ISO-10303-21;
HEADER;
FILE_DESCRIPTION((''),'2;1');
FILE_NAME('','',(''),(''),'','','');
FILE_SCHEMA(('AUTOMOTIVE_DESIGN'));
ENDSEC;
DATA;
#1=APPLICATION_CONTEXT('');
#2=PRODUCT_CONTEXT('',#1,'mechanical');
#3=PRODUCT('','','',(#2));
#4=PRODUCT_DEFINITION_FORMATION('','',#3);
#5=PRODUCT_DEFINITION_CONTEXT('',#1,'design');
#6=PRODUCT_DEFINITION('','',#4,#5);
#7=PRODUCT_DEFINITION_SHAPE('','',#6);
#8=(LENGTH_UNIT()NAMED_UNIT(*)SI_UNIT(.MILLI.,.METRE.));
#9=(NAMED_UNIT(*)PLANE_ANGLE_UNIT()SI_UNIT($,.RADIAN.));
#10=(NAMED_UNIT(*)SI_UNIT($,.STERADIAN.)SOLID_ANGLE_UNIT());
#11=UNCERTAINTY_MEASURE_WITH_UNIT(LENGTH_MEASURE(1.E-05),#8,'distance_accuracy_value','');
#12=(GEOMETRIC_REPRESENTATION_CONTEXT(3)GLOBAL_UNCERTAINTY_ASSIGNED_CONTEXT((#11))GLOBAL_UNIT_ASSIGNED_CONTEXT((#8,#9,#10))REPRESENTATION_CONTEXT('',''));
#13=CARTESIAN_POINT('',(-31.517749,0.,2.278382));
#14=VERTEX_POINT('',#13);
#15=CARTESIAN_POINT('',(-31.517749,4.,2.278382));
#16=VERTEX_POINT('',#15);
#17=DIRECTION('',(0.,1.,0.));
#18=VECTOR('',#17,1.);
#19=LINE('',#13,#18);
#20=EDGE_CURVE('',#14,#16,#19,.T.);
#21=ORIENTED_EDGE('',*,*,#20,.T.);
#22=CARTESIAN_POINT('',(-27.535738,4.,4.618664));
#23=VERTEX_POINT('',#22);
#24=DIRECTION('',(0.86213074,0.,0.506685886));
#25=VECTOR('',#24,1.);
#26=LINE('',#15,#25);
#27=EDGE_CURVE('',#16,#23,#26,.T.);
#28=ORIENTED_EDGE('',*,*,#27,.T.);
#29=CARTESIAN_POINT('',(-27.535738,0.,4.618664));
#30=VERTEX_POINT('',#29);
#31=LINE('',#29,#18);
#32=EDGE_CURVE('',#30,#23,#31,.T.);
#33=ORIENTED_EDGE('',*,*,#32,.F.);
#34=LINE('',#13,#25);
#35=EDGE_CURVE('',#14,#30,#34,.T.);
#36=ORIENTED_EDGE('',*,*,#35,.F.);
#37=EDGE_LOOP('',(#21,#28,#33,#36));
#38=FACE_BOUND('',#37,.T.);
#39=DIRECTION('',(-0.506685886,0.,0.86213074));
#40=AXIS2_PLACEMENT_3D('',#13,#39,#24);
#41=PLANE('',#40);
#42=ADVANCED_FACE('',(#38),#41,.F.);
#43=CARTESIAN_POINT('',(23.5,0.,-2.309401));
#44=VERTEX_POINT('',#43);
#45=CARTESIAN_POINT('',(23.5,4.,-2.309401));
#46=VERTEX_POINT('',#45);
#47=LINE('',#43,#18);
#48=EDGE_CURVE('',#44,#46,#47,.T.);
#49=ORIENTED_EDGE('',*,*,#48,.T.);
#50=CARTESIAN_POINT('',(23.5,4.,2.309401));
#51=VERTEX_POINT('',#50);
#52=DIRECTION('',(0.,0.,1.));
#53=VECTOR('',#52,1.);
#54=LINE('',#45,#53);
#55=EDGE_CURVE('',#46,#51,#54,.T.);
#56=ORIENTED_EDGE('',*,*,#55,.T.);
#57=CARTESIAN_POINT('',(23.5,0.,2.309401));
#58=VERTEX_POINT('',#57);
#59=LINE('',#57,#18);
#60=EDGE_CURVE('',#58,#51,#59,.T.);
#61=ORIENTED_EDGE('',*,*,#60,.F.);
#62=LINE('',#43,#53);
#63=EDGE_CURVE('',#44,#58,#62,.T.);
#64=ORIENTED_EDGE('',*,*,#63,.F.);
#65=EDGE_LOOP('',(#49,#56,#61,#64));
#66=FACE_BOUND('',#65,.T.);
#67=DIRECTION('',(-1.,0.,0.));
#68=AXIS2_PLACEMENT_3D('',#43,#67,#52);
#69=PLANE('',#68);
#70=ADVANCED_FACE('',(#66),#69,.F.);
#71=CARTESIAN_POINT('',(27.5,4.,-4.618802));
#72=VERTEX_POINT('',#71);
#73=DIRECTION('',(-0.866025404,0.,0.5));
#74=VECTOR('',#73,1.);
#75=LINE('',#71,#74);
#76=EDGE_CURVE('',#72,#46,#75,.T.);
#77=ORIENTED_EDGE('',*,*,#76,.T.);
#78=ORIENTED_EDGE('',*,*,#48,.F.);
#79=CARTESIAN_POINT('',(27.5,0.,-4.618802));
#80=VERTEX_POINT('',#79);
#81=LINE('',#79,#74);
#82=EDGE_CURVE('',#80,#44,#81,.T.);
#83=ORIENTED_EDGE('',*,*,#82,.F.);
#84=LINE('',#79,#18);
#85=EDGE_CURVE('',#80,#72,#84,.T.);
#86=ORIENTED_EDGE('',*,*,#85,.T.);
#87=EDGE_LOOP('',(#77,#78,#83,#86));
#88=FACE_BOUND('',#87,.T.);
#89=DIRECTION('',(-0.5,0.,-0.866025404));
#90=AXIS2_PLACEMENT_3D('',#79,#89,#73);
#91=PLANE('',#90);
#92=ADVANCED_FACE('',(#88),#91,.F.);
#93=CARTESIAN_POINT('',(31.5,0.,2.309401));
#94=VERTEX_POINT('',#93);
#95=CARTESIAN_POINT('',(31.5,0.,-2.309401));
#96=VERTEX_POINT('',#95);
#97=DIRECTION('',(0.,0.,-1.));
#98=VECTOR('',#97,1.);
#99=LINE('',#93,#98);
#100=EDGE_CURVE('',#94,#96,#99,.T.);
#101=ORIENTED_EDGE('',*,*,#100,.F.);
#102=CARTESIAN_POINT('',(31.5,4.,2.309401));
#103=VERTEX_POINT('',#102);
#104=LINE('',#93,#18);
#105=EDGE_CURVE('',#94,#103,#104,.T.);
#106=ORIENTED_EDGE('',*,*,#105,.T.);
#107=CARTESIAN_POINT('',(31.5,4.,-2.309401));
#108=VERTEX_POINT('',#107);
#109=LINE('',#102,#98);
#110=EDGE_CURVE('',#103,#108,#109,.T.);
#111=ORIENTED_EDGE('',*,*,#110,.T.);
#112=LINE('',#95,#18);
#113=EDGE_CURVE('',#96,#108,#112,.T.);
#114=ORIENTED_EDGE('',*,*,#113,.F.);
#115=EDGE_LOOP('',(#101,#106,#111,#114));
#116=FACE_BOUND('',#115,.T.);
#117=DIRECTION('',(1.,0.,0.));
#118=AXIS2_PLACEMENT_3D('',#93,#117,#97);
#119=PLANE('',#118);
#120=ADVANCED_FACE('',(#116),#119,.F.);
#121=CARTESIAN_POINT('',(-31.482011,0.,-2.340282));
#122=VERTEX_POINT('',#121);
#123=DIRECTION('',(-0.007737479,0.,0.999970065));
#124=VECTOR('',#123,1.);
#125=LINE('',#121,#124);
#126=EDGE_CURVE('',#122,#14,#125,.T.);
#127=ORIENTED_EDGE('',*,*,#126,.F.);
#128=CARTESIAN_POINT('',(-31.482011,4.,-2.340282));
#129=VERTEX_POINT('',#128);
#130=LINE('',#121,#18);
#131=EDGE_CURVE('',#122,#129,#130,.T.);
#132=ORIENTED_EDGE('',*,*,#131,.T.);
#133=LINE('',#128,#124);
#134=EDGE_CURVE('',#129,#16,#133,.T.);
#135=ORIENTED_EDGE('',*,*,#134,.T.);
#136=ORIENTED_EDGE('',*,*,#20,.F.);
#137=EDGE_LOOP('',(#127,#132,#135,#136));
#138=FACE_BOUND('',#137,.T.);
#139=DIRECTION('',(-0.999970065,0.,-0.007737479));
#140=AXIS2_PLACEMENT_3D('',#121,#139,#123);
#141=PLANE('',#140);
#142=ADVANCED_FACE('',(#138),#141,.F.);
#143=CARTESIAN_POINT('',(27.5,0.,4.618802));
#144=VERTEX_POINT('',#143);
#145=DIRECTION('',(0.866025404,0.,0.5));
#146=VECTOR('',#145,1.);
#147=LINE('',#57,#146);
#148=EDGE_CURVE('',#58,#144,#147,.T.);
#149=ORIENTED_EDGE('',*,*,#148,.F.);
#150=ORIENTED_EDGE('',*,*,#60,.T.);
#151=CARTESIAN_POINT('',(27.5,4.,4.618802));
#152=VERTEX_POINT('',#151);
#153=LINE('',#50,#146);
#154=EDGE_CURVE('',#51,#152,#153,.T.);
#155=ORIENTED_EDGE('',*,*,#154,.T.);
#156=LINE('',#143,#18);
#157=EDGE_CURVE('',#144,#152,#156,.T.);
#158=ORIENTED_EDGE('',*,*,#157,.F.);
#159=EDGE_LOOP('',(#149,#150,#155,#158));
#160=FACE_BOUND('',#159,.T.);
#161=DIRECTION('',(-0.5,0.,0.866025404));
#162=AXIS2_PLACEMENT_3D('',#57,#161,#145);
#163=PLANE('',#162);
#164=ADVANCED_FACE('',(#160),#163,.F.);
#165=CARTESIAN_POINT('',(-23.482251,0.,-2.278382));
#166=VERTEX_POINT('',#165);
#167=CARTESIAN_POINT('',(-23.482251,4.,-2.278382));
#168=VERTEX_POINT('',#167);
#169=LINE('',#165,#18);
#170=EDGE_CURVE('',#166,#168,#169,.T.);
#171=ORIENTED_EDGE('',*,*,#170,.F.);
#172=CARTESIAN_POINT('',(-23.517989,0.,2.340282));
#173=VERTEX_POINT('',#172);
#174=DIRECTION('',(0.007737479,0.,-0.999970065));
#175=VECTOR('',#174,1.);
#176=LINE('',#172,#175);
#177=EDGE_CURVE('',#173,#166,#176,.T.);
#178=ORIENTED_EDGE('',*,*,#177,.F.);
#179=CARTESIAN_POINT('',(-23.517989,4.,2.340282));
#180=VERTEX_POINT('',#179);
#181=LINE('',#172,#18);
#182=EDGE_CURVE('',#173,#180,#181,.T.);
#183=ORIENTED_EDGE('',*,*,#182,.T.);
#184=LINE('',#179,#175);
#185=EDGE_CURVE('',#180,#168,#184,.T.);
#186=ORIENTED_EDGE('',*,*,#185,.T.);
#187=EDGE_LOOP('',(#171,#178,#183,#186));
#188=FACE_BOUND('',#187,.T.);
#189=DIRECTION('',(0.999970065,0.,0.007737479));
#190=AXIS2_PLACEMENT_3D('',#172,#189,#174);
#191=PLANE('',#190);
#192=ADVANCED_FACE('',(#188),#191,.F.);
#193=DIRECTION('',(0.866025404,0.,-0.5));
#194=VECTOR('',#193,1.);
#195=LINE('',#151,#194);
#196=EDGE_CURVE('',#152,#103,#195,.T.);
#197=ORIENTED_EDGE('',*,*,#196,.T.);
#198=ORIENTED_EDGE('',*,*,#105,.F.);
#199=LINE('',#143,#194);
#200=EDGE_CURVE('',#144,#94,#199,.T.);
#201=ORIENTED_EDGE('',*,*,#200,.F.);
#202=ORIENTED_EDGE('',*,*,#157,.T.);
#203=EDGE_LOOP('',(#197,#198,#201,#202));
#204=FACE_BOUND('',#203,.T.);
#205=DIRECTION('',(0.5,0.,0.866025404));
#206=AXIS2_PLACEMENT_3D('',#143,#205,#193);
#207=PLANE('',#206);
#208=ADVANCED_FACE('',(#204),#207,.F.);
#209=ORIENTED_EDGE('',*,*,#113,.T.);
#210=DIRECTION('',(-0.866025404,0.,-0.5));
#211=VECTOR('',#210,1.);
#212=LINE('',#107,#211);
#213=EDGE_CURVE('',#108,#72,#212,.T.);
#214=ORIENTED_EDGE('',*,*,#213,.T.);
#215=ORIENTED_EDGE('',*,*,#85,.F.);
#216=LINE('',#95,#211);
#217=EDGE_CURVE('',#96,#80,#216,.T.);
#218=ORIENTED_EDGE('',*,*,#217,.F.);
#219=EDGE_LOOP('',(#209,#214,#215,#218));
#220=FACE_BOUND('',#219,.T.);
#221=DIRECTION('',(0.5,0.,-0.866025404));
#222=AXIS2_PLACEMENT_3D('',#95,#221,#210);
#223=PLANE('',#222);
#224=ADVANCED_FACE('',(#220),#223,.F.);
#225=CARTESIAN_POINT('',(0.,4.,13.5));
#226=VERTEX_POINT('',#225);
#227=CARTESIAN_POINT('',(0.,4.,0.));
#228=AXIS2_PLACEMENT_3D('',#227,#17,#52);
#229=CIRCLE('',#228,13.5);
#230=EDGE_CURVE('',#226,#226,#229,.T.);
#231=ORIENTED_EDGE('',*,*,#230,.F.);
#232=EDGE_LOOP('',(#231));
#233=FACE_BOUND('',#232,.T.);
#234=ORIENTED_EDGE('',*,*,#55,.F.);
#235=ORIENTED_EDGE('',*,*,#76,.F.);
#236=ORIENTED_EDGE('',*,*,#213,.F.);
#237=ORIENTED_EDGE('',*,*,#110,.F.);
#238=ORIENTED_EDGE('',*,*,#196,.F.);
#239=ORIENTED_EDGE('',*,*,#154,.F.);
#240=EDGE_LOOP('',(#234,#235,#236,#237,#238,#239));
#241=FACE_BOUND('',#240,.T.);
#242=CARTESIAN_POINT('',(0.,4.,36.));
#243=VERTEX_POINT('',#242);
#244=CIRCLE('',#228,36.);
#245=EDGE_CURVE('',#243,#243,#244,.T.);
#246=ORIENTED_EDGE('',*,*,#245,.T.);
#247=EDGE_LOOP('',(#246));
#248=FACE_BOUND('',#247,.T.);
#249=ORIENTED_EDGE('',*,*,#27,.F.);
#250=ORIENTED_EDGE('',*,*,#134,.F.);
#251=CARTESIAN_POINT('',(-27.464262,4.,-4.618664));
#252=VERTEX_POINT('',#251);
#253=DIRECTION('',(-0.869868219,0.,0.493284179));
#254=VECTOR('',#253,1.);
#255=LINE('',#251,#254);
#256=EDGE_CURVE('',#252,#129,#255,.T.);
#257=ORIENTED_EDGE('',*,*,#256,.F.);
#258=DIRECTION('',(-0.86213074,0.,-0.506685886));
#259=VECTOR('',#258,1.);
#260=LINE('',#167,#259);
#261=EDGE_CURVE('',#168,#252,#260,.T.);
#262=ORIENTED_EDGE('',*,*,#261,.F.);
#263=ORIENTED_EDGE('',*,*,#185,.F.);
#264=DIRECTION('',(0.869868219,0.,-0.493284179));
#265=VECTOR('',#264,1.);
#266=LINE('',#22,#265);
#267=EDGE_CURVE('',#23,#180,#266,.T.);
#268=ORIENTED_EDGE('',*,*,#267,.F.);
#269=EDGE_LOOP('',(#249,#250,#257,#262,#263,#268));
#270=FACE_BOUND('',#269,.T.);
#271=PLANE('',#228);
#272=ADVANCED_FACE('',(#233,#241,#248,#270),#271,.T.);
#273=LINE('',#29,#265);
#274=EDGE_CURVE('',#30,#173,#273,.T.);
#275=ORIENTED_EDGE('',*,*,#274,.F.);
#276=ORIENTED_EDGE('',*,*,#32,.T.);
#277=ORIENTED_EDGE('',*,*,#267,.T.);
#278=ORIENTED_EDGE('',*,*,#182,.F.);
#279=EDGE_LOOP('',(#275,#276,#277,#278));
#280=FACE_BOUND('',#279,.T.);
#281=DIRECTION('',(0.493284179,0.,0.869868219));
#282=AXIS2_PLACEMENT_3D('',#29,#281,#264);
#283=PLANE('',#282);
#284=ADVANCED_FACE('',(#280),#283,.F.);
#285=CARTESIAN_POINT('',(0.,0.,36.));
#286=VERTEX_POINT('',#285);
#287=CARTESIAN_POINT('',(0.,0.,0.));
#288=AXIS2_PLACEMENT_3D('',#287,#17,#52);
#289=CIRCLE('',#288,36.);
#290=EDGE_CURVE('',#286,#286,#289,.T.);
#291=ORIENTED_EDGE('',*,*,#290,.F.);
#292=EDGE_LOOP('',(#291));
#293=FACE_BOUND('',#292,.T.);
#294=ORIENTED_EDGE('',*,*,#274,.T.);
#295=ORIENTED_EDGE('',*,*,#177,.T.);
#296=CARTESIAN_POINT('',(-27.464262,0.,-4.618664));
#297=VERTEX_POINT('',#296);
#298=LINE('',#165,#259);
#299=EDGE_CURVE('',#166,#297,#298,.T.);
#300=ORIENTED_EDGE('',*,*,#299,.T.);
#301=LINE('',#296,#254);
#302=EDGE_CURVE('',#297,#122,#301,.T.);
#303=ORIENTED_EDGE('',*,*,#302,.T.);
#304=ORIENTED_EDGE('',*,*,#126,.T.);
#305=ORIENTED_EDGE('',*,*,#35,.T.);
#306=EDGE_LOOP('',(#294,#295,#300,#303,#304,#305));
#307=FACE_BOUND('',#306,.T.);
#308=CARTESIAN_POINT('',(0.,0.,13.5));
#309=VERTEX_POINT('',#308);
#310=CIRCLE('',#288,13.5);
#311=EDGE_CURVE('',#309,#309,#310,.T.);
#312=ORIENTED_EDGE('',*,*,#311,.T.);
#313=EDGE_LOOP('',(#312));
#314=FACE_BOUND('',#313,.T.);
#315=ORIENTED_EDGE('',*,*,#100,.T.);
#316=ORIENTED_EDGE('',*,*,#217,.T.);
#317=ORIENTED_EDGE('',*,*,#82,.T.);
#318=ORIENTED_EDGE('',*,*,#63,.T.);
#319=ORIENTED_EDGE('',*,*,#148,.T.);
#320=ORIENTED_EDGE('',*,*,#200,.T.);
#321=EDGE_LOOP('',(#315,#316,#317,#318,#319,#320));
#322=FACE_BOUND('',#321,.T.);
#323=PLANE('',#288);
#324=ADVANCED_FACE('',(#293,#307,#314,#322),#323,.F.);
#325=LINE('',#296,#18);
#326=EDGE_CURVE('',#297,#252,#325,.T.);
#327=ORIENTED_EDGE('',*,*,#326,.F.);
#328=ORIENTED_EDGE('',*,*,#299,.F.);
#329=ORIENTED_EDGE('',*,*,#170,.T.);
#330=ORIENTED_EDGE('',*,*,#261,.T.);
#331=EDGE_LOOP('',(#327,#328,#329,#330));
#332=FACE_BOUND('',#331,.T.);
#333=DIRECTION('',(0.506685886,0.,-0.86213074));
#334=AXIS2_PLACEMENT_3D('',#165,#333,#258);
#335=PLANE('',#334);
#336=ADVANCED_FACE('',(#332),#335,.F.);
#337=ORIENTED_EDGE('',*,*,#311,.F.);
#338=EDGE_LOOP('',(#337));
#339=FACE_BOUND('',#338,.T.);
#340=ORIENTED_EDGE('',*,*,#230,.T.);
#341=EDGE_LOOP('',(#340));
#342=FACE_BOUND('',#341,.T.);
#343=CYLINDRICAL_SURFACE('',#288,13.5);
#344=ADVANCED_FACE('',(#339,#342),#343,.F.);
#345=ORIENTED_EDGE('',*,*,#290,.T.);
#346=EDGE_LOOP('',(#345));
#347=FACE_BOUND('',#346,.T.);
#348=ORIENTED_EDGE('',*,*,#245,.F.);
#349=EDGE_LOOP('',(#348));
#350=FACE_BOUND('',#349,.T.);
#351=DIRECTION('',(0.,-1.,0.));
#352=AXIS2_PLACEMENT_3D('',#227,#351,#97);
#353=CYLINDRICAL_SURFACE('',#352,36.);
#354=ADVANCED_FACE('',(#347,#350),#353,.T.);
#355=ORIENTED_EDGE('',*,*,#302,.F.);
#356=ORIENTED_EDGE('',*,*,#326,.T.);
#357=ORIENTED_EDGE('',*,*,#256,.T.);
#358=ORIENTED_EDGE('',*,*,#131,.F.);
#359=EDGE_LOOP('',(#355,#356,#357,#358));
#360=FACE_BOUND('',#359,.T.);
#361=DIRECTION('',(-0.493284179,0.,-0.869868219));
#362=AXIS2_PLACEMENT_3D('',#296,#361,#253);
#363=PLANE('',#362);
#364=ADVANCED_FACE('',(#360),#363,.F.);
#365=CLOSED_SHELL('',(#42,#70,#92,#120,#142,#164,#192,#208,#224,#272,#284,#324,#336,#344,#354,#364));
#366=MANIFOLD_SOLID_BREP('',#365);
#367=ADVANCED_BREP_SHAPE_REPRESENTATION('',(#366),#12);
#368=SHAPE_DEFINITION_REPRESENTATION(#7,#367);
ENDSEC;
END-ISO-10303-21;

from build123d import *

# Parameters (mm, degrees)
SKETCH1_R           = 36
BOSS_EXTRUDE1_DEPTH = 4
CUT_EXTRUDE1_DEPTH  = 52.068581339
SKETCH3_R           = 13.5
CUT_EXTRUDE2_DEPTH  = 52.068581339


with BuildPart() as part:
    # Sketch1 → Boss-Extrude1 (new body)
    with BuildSketch(Plane(origin=(0, 0, 0), x_dir=(1, 0, 0), z_dir=(0, 1, 0))):
        with Locations(Location((0, 0, 0), (0, 0, 270))):
            Circle(SKETCH1_R)
    extrude(amount=BOSS_EXTRUDE1_DEPTH)

    # Sketch2 → Cut-Extrude1 (cut, through all)
    with BuildSketch(Plane(origin=(0, 4, 0), x_dir=(1, 0, 0), z_dir=(0, 1, 0))):
        Polygon((-31.517749204, -2.278382028), (-27.535737886, -4.618663891), (-23.517988682, -2.340281863), (-23.482250796, 2.278382028), (-27.464262114, 4.618663891), (-31.482011318, 2.340281863), align=None)
        Polygon((27.5, -4.618802154), (31.5, -2.309401077), (31.5, 2.309401077), (27.5, 4.618802154), (23.5, 2.309401077), (23.5, -2.309401077), align=None)
    extrude(amount=-CUT_EXTRUDE1_DEPTH, mode=Mode.SUBTRACT)

    # Sketch3 → Cut-Extrude2 (cut, through all)
    with BuildSketch(Plane(origin=(0, 4, 0), x_dir=(1, 0, 0), z_dir=(0, 1, 0))):
        with Locations(Location((0, 0, 0), (0, 0, 270))):
            Circle(SKETCH3_R)
    extrude(amount=-CUT_EXTRUDE2_DEPTH, mode=Mode.SUBTRACT)


solid = part.part
